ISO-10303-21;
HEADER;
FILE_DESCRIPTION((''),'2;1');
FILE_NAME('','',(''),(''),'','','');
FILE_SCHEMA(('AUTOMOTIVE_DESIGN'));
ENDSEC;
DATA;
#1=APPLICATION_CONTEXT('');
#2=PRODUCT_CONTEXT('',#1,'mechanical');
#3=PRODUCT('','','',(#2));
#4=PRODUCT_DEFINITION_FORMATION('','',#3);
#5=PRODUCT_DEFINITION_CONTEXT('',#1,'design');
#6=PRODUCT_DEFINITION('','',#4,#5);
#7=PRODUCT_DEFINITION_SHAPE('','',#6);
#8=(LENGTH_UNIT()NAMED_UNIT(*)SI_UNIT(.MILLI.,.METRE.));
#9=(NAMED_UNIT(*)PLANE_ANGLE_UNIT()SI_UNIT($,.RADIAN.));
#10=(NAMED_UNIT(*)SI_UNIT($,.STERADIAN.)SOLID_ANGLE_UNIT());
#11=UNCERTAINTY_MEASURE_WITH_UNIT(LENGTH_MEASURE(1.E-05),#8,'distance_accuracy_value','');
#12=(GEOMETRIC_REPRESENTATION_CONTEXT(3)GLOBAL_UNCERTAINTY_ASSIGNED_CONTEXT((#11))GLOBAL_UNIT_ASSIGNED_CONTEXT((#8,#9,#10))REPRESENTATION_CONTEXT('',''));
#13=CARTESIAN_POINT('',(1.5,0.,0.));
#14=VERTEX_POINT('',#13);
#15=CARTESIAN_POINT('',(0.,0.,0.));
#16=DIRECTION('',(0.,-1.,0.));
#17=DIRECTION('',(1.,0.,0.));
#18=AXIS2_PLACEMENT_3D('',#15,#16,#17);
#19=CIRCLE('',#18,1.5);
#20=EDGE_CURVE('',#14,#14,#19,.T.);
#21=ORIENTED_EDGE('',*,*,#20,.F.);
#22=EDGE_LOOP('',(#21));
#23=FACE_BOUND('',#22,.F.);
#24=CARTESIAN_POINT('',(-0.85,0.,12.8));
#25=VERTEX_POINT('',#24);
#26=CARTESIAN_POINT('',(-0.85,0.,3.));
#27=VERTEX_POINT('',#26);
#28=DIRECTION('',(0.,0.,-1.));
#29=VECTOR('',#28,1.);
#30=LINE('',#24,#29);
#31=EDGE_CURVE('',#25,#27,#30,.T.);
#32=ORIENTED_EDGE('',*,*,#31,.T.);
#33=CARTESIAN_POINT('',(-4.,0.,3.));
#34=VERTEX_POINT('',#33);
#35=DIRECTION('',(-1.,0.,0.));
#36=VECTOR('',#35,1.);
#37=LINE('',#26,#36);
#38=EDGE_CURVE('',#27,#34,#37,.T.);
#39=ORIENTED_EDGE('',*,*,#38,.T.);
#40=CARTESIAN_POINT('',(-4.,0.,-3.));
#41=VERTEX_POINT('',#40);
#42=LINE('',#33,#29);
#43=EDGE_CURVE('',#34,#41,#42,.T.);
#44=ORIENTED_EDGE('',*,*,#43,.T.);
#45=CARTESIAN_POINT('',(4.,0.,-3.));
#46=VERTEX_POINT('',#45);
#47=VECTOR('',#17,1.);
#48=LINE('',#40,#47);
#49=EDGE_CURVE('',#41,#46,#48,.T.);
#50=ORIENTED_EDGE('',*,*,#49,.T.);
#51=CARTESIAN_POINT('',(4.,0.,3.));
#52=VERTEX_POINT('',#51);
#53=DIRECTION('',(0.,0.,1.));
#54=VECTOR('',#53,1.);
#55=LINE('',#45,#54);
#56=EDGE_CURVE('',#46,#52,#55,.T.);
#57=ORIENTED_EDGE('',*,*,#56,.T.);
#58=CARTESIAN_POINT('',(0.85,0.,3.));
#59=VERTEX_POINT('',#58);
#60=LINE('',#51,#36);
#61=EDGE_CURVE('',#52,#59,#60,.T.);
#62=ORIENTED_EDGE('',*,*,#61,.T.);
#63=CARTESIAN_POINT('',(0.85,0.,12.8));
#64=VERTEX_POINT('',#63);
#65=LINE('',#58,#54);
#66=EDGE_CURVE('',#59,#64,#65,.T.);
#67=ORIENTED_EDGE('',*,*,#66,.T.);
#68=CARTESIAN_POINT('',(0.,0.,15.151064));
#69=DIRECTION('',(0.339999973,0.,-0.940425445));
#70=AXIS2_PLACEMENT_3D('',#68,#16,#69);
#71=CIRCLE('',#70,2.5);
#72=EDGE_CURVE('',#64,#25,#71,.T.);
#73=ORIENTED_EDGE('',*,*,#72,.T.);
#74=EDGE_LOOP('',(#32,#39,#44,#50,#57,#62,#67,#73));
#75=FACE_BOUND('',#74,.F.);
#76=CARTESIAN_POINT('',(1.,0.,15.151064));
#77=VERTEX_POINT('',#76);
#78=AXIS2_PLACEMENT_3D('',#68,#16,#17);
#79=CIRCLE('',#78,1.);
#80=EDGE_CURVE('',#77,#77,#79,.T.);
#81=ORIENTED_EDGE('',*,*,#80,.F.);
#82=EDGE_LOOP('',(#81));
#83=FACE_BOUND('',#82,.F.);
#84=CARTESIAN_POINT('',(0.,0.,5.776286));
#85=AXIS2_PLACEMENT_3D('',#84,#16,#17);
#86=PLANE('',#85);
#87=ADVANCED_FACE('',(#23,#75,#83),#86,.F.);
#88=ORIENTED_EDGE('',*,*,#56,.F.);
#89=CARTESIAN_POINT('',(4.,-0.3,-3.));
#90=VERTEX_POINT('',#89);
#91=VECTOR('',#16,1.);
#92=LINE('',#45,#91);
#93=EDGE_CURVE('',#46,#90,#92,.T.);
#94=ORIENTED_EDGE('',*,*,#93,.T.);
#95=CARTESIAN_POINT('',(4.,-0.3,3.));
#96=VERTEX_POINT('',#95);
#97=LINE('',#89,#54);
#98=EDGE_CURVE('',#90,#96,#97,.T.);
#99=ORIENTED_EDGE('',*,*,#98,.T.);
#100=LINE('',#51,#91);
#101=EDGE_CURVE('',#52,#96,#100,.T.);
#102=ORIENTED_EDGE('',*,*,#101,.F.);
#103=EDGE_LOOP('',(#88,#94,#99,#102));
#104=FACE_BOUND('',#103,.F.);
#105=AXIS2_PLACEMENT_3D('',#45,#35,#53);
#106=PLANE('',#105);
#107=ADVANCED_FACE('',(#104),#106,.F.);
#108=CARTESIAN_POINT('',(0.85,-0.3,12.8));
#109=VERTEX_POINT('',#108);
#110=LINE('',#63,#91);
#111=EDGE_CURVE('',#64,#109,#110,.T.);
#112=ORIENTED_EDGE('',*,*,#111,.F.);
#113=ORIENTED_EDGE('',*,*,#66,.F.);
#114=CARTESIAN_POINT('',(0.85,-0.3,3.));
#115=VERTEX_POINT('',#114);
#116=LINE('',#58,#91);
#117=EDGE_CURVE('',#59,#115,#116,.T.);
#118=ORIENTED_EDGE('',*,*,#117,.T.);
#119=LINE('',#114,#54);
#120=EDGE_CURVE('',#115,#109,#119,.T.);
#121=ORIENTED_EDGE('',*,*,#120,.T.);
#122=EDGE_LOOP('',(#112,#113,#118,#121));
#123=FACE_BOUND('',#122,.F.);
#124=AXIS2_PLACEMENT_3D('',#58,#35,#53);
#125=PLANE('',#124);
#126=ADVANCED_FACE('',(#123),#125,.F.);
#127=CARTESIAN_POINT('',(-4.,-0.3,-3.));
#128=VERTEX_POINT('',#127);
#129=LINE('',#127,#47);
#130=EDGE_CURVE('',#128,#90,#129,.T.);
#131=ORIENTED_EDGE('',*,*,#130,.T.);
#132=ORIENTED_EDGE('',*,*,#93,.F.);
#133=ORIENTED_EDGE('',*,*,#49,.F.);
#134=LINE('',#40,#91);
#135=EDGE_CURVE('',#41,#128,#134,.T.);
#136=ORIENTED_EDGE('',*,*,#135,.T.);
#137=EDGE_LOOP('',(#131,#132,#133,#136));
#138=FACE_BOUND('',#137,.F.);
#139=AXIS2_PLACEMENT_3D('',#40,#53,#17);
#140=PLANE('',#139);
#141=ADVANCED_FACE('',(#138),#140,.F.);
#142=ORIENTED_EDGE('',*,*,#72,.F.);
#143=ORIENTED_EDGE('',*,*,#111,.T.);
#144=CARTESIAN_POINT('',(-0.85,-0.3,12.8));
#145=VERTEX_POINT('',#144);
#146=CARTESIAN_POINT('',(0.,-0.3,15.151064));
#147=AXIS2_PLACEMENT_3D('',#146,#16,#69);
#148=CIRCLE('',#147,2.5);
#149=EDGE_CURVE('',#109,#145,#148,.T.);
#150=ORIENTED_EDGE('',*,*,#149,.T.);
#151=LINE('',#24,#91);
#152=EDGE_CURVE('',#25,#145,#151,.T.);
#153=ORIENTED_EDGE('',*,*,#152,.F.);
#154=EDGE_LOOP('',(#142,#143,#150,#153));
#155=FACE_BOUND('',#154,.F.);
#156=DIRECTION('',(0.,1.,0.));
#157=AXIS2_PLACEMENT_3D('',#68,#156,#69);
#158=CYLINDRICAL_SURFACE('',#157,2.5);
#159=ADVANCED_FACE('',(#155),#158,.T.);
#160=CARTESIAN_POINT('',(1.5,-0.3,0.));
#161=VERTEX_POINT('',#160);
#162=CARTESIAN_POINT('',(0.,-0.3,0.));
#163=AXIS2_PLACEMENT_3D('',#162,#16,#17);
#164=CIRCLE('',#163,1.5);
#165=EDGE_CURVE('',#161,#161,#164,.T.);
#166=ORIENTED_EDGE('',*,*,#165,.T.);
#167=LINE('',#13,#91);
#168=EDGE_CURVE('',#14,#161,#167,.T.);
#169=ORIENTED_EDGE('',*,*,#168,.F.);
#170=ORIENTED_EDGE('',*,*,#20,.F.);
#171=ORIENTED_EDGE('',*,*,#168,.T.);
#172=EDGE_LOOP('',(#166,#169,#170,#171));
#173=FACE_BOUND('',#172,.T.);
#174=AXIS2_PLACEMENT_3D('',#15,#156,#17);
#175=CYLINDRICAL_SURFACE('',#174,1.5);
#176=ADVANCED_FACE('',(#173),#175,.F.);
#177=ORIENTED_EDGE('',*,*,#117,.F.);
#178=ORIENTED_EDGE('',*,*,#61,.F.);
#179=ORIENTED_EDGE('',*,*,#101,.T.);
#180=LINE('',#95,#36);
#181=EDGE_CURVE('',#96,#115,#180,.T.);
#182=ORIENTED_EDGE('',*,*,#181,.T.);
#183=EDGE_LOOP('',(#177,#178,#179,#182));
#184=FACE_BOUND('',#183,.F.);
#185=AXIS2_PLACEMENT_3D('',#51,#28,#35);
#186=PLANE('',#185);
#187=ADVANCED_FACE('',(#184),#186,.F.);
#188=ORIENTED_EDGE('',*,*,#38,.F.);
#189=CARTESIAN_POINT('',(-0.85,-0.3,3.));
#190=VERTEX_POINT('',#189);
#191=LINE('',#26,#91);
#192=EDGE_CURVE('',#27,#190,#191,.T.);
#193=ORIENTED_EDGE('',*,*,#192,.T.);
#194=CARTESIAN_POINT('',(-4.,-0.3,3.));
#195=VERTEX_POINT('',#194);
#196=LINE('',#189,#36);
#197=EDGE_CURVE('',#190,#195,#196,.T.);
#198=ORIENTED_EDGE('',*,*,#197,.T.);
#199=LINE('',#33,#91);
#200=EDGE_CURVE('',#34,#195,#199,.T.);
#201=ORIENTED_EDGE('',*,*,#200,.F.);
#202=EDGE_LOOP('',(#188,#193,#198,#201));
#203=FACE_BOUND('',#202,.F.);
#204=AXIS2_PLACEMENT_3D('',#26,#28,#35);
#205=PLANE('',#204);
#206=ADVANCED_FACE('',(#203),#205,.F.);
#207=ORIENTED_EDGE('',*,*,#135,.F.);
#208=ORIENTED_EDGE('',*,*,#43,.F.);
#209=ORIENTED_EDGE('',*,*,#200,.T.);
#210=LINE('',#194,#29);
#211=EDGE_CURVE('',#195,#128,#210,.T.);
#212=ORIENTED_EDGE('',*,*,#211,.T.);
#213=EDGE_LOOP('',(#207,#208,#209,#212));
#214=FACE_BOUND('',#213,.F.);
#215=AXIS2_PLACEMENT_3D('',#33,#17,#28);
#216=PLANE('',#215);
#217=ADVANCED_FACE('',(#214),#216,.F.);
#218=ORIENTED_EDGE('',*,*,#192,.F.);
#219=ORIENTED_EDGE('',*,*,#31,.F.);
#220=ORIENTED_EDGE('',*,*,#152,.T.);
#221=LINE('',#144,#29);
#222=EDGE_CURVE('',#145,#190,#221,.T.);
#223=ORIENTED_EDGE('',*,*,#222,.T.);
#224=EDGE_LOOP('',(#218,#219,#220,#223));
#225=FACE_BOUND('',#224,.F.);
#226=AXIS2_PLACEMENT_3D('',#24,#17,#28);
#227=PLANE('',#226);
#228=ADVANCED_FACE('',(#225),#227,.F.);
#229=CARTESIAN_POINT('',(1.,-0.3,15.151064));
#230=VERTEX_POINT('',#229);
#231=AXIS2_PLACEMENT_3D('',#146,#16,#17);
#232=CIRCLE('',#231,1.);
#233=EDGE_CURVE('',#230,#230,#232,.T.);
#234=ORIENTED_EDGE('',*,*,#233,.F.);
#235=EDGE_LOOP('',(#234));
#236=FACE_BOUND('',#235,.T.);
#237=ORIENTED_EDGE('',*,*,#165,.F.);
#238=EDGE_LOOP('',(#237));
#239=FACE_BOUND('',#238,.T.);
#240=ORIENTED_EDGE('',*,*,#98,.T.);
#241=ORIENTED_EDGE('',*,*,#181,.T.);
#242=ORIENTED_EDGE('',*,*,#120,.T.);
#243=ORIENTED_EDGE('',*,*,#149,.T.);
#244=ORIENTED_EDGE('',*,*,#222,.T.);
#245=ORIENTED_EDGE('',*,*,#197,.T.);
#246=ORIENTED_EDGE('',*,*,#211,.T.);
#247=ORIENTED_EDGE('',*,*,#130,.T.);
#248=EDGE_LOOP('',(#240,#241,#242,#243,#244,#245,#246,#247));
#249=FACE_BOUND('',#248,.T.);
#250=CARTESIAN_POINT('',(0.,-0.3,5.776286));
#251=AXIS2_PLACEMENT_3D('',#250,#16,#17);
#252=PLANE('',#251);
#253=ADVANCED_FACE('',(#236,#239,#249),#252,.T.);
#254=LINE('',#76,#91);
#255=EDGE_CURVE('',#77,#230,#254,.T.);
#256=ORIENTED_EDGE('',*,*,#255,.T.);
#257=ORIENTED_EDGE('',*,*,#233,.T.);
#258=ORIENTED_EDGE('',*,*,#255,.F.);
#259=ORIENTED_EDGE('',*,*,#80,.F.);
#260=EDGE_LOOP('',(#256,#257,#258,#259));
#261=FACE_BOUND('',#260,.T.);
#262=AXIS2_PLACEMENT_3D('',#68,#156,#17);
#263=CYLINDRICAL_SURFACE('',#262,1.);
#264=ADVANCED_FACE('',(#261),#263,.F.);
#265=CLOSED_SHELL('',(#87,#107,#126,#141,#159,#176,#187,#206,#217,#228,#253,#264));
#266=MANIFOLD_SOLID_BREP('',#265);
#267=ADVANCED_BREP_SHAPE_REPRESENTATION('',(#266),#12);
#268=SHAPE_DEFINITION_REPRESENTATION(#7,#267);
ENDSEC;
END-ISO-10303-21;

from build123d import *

# Parameters (mm, degrees)
F0_R     = 1.5
F0_R_2   = 1
F1_DEPTH = 0.3


with BuildPart() as f1:
    # F0 (on Front) → F1 (new body)
    with BuildSketch(Plane.XZ):
        with BuildLine():
            Line((-4, -3), (4, -3))
            Line((4, -3), (4, 3))
            Line((4, 3), (0.85, 3))
            Line((0.85, 3), (0.85, 12.8))
            ThreePointArc((0.85, 12.8), (0, 17.651064), (-0.85, 12.8))
            Line((-0.85, 12.8), (-0.85, 3))
            Line((-0.85, 3), (-4, 3))
            Line((-4, 3), (-4, -3))
        make_face()
        Circle(F0_R, mode=Mode.SUBTRACT)
        with Locations((0, 15.151064)):
            Circle(F0_R_2, mode=Mode.SUBTRACT)
    extrude(amount=F1_DEPTH)


solid = f1.part
